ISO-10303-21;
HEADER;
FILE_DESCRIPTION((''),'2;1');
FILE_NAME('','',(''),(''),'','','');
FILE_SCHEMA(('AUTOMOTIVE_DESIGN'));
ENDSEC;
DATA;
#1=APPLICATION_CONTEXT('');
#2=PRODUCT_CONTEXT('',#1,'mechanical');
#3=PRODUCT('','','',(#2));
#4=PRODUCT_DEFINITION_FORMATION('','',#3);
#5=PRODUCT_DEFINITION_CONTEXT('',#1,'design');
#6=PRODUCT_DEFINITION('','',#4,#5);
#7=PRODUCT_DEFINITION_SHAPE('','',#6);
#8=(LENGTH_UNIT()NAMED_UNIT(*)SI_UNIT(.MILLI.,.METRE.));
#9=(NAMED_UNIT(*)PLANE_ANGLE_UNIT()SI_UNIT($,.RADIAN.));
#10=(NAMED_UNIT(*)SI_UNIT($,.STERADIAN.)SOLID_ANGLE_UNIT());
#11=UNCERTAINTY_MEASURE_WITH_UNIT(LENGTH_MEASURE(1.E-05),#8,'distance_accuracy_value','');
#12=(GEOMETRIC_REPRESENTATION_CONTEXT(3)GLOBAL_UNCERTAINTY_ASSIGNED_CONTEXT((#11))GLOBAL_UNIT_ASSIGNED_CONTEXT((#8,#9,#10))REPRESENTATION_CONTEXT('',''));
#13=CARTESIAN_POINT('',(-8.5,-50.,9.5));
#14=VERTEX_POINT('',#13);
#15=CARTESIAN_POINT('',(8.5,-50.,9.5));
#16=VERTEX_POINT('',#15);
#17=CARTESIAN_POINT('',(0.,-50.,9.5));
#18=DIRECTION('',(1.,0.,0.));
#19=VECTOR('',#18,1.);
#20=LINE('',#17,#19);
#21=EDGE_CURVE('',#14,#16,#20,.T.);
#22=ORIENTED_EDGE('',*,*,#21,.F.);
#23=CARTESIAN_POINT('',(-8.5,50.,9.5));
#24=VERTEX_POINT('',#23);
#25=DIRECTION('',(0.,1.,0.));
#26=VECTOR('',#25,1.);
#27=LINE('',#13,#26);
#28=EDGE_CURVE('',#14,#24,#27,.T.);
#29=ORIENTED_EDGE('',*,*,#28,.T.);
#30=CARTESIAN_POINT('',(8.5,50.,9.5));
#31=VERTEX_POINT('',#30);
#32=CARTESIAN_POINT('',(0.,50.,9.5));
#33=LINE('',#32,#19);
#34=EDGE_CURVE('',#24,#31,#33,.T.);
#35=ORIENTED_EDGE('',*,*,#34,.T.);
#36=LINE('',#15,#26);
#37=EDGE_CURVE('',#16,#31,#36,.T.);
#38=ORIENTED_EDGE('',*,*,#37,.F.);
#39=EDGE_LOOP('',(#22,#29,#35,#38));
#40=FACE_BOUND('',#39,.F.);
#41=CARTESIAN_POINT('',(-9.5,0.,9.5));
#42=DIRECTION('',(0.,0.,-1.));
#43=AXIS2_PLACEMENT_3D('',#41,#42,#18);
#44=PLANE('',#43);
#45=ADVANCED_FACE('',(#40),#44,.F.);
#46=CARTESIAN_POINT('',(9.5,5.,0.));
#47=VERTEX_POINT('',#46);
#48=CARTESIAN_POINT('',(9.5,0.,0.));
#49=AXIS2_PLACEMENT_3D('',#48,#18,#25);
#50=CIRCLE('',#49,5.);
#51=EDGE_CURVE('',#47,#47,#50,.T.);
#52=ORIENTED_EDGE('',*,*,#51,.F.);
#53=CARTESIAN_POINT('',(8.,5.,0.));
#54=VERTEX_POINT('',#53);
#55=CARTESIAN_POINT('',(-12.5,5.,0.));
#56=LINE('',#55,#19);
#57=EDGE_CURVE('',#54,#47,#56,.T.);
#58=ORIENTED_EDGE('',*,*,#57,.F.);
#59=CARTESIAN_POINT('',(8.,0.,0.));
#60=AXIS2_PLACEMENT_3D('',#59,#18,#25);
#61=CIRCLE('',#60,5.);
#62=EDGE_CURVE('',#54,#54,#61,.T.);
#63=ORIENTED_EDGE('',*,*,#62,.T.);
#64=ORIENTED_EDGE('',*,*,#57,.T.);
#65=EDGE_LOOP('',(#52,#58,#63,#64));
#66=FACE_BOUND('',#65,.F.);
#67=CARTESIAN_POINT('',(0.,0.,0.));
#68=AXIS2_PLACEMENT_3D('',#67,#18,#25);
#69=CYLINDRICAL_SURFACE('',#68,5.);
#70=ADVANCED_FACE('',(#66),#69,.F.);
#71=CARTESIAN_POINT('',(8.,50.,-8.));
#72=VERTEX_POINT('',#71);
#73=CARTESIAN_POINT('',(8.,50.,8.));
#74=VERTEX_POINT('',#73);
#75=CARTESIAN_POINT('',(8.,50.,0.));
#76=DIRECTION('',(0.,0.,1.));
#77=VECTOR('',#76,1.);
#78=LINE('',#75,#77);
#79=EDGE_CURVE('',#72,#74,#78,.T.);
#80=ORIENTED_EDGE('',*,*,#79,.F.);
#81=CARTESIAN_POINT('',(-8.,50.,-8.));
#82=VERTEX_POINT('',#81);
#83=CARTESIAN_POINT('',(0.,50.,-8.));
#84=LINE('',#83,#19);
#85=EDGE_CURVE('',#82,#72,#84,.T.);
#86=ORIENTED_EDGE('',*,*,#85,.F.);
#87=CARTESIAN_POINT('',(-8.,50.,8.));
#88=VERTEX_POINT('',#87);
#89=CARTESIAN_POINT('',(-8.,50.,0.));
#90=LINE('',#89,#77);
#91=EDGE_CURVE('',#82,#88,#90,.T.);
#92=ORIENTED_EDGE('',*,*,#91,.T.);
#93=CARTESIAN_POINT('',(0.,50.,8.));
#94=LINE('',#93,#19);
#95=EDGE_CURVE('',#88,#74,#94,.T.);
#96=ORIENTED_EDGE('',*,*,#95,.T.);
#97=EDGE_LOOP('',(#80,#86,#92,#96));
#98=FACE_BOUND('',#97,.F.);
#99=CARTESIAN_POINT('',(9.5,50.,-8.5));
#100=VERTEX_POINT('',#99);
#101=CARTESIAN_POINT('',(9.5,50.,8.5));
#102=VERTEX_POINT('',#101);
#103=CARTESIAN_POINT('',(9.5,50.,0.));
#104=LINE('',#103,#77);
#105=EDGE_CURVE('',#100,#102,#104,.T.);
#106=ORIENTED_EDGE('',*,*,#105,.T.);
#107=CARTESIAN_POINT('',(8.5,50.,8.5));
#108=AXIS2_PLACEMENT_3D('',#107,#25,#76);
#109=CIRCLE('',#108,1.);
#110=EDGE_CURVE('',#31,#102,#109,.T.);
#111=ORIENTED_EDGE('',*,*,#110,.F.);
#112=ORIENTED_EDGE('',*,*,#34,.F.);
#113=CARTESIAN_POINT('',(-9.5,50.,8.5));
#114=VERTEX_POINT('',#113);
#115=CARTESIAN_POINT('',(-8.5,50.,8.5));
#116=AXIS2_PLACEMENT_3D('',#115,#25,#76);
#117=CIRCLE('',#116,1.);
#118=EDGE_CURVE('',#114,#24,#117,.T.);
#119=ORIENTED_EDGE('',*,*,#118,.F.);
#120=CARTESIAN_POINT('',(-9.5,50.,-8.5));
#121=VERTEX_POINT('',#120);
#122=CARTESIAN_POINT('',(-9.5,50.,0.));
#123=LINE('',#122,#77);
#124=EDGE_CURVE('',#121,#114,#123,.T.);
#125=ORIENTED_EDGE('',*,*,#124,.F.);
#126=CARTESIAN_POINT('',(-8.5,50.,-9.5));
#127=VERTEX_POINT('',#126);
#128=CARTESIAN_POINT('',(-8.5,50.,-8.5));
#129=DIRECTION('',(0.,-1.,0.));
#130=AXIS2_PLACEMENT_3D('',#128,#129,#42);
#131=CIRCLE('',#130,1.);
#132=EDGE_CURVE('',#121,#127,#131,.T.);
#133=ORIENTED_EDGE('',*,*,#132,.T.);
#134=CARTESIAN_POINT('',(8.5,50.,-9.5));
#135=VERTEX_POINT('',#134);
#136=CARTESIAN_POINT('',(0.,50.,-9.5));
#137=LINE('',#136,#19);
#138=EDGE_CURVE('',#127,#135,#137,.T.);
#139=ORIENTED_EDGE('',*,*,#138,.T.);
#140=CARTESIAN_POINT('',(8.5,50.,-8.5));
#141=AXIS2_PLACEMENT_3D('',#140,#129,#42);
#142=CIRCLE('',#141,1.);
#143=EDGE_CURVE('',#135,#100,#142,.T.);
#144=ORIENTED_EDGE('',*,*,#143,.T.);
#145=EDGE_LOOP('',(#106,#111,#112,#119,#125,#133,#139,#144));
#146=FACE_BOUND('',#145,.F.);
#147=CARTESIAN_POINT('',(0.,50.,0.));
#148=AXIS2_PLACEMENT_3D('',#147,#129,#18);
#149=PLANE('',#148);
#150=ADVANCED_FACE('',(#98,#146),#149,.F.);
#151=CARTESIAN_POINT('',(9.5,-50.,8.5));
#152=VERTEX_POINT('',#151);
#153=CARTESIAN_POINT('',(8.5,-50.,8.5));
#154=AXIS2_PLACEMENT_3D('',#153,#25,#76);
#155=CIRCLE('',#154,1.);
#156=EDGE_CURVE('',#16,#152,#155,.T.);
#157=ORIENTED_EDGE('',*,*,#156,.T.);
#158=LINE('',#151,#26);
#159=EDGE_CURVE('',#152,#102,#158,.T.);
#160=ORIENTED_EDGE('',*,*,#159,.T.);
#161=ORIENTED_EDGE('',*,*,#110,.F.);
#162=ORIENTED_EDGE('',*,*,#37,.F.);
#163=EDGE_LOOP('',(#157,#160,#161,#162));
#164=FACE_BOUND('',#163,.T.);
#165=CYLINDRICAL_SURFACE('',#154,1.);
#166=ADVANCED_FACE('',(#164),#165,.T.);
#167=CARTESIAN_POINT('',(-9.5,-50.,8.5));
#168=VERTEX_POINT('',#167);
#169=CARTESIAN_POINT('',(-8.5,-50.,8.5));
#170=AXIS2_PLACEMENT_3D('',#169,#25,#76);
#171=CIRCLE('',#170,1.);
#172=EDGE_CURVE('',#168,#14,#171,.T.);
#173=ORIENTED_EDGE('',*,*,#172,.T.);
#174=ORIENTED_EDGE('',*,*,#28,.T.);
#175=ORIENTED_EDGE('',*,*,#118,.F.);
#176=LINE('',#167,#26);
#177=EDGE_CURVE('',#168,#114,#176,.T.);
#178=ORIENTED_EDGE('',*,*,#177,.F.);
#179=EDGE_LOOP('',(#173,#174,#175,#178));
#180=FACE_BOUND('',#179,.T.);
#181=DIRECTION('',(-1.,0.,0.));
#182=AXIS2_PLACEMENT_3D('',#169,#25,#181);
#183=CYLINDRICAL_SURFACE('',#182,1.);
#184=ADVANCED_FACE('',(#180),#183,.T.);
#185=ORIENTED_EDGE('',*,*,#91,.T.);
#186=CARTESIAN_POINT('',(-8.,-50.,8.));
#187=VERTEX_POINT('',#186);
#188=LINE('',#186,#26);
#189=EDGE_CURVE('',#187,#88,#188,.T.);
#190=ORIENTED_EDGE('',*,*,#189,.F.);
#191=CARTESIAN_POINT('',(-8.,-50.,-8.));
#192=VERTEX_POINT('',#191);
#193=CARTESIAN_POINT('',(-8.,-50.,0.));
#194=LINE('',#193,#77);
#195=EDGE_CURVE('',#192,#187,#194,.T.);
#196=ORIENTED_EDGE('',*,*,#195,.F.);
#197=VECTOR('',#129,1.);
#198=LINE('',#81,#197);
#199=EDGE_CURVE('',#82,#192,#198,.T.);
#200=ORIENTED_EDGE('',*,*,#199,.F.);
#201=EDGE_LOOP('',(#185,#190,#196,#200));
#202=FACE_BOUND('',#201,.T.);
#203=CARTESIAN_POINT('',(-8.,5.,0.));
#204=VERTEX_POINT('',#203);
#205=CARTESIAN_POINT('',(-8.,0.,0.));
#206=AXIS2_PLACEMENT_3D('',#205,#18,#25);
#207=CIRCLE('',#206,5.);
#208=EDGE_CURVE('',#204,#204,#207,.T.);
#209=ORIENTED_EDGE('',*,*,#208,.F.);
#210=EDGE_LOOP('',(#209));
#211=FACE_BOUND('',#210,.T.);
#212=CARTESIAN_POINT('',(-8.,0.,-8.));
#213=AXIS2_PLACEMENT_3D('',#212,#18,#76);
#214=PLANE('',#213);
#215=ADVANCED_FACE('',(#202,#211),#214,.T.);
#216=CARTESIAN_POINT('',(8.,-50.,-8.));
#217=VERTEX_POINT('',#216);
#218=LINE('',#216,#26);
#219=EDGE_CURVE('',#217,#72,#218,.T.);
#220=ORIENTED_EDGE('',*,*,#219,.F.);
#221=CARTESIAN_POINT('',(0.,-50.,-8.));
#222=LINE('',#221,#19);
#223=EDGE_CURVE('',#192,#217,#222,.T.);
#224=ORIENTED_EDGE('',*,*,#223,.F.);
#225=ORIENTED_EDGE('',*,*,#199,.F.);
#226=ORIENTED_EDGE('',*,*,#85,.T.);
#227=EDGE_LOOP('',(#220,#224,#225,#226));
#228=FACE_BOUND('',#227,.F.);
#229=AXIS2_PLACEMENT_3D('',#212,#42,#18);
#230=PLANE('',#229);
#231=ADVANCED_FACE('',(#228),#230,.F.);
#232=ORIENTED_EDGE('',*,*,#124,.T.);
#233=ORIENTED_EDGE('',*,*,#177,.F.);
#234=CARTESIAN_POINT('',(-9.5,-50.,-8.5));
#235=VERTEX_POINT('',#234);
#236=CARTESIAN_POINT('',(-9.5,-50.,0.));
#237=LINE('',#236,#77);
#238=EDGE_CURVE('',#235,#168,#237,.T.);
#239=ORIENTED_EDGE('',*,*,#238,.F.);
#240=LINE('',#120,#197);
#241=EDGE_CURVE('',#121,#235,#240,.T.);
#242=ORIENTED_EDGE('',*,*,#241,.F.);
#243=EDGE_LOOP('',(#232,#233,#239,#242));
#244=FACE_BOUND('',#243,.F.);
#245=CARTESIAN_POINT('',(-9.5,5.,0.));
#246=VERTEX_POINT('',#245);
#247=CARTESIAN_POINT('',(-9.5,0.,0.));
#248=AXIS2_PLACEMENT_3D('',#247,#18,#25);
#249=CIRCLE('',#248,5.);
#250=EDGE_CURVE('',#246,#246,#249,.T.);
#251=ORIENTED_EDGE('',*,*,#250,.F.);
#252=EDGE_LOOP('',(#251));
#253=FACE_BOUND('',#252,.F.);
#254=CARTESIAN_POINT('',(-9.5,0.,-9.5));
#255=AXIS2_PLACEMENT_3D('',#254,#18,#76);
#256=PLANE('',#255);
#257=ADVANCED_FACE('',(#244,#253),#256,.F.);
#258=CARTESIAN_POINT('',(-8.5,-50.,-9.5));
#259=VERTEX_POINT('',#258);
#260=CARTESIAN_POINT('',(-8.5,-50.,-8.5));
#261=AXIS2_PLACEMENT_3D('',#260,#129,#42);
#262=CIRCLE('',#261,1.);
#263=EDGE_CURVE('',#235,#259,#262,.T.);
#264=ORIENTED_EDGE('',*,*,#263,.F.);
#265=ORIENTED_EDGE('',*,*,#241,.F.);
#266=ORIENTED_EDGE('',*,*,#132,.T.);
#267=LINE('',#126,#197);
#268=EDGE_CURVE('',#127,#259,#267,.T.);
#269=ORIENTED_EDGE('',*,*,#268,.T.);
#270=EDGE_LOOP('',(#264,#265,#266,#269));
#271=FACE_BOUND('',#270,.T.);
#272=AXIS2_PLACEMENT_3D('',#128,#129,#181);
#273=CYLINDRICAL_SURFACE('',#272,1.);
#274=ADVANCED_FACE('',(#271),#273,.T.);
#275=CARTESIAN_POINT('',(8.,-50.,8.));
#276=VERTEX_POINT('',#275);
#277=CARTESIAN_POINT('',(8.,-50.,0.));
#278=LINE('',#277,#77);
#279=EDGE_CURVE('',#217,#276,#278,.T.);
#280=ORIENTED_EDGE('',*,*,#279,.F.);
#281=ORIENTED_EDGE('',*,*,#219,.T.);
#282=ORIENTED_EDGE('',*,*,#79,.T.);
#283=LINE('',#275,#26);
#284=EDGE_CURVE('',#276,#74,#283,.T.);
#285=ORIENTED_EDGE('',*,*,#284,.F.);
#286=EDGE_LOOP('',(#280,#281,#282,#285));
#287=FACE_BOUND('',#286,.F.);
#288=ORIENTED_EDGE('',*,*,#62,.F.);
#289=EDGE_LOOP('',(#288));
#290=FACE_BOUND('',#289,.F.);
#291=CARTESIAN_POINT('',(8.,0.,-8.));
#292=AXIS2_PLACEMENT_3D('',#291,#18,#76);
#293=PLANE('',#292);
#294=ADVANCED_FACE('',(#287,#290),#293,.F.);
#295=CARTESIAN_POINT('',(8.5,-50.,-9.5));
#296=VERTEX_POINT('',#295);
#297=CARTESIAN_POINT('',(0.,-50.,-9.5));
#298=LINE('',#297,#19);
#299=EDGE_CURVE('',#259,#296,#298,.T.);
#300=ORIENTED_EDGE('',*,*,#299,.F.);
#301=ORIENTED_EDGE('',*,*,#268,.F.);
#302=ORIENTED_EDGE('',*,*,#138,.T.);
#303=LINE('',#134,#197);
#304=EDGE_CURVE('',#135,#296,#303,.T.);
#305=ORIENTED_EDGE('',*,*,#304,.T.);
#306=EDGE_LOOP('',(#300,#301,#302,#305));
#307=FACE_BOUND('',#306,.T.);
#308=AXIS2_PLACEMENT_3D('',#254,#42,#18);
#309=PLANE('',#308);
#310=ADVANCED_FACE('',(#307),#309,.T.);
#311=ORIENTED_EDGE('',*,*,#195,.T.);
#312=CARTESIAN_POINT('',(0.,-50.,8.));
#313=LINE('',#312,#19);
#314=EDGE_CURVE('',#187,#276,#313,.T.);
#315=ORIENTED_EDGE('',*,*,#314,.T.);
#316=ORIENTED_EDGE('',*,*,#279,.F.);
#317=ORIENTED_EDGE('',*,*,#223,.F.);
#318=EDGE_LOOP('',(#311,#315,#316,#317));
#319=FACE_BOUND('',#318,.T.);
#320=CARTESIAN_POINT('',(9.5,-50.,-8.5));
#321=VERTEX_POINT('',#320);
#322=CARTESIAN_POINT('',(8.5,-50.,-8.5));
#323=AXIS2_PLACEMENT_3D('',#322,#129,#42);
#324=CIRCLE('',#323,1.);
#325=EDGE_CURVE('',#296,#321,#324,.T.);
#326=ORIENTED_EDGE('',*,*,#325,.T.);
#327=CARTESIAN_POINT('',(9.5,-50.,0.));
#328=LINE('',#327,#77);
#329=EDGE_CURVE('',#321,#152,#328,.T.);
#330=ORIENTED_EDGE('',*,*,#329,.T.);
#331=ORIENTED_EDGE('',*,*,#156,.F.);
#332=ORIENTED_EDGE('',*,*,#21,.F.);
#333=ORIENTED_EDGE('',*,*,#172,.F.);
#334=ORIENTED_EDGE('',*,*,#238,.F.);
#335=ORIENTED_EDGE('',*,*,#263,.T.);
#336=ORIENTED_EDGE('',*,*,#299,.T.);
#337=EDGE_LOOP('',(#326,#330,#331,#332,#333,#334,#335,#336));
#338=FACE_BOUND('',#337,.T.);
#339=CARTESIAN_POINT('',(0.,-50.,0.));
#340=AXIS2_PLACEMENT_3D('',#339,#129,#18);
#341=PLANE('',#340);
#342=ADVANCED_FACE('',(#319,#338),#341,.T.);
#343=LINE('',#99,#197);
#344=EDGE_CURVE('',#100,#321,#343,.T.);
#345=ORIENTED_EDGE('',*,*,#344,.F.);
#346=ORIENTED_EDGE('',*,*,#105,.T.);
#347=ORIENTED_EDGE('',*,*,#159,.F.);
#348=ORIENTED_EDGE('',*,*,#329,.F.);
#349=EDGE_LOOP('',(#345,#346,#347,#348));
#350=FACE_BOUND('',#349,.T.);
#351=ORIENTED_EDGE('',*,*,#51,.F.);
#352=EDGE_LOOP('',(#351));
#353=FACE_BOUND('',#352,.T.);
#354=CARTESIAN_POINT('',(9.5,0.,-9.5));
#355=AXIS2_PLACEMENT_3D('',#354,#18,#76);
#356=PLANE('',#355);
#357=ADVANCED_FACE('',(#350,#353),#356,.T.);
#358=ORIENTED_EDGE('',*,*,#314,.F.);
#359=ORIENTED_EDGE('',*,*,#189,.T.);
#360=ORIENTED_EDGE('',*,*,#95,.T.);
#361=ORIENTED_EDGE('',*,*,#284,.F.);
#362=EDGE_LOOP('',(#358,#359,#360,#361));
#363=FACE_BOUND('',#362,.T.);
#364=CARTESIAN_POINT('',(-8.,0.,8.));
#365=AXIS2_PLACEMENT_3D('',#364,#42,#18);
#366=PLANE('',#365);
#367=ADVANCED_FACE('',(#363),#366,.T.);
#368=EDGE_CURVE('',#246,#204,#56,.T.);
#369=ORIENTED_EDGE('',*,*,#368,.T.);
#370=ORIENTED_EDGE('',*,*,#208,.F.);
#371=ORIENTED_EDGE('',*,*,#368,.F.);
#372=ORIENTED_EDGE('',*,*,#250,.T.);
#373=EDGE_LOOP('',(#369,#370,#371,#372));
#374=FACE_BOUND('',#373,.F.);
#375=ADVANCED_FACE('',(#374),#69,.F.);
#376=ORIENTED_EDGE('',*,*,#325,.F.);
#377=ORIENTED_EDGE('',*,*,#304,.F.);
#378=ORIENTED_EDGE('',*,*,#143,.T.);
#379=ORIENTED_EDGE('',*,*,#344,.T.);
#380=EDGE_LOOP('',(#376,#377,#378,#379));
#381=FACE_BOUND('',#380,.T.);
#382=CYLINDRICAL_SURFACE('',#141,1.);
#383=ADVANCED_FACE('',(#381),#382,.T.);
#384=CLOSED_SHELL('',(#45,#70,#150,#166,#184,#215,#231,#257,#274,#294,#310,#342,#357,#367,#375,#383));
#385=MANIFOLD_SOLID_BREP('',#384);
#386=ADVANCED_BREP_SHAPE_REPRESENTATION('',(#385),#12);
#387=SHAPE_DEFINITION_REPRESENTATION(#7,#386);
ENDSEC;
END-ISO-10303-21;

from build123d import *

# Parameters (mm, degrees)
F0_W     = 19
F0_H     = 19
F0_W_2   = 16
F0_H_2   = 16
F2_DEPTH = 50
F1_R     = 5
F3_DEPTH = 12.5
F4_R     = 1


with BuildPart() as f2:
    # F0 (on Front) → F2 (new body, symmetric)
    with BuildSketch(Plane.XZ):
        Rectangle(F0_W, F0_H)
        Rectangle(F0_W_2, F0_H_2, mode=Mode.SUBTRACT)
    extrude(amount=F2_DEPTH, both=True)

    # F1 (on Right) → F3 (cut, symmetric)
    with BuildSketch(Plane.YZ):
        Circle(F1_R)
    extrude(amount=F3_DEPTH, both=True, mode=Mode.SUBTRACT)

    # F4
    f4_edges = [f2.edges().sort_by_distance(p)[0] for p in [
        (9.5, 0, 9.5),
        (-9.5, 0, 9.5),
        (9.5, 0, -9.5),
        (-9.5, 0, -9.5),
    ]]
    fillet(f4_edges, radius=F4_R)


solid = f2.part
